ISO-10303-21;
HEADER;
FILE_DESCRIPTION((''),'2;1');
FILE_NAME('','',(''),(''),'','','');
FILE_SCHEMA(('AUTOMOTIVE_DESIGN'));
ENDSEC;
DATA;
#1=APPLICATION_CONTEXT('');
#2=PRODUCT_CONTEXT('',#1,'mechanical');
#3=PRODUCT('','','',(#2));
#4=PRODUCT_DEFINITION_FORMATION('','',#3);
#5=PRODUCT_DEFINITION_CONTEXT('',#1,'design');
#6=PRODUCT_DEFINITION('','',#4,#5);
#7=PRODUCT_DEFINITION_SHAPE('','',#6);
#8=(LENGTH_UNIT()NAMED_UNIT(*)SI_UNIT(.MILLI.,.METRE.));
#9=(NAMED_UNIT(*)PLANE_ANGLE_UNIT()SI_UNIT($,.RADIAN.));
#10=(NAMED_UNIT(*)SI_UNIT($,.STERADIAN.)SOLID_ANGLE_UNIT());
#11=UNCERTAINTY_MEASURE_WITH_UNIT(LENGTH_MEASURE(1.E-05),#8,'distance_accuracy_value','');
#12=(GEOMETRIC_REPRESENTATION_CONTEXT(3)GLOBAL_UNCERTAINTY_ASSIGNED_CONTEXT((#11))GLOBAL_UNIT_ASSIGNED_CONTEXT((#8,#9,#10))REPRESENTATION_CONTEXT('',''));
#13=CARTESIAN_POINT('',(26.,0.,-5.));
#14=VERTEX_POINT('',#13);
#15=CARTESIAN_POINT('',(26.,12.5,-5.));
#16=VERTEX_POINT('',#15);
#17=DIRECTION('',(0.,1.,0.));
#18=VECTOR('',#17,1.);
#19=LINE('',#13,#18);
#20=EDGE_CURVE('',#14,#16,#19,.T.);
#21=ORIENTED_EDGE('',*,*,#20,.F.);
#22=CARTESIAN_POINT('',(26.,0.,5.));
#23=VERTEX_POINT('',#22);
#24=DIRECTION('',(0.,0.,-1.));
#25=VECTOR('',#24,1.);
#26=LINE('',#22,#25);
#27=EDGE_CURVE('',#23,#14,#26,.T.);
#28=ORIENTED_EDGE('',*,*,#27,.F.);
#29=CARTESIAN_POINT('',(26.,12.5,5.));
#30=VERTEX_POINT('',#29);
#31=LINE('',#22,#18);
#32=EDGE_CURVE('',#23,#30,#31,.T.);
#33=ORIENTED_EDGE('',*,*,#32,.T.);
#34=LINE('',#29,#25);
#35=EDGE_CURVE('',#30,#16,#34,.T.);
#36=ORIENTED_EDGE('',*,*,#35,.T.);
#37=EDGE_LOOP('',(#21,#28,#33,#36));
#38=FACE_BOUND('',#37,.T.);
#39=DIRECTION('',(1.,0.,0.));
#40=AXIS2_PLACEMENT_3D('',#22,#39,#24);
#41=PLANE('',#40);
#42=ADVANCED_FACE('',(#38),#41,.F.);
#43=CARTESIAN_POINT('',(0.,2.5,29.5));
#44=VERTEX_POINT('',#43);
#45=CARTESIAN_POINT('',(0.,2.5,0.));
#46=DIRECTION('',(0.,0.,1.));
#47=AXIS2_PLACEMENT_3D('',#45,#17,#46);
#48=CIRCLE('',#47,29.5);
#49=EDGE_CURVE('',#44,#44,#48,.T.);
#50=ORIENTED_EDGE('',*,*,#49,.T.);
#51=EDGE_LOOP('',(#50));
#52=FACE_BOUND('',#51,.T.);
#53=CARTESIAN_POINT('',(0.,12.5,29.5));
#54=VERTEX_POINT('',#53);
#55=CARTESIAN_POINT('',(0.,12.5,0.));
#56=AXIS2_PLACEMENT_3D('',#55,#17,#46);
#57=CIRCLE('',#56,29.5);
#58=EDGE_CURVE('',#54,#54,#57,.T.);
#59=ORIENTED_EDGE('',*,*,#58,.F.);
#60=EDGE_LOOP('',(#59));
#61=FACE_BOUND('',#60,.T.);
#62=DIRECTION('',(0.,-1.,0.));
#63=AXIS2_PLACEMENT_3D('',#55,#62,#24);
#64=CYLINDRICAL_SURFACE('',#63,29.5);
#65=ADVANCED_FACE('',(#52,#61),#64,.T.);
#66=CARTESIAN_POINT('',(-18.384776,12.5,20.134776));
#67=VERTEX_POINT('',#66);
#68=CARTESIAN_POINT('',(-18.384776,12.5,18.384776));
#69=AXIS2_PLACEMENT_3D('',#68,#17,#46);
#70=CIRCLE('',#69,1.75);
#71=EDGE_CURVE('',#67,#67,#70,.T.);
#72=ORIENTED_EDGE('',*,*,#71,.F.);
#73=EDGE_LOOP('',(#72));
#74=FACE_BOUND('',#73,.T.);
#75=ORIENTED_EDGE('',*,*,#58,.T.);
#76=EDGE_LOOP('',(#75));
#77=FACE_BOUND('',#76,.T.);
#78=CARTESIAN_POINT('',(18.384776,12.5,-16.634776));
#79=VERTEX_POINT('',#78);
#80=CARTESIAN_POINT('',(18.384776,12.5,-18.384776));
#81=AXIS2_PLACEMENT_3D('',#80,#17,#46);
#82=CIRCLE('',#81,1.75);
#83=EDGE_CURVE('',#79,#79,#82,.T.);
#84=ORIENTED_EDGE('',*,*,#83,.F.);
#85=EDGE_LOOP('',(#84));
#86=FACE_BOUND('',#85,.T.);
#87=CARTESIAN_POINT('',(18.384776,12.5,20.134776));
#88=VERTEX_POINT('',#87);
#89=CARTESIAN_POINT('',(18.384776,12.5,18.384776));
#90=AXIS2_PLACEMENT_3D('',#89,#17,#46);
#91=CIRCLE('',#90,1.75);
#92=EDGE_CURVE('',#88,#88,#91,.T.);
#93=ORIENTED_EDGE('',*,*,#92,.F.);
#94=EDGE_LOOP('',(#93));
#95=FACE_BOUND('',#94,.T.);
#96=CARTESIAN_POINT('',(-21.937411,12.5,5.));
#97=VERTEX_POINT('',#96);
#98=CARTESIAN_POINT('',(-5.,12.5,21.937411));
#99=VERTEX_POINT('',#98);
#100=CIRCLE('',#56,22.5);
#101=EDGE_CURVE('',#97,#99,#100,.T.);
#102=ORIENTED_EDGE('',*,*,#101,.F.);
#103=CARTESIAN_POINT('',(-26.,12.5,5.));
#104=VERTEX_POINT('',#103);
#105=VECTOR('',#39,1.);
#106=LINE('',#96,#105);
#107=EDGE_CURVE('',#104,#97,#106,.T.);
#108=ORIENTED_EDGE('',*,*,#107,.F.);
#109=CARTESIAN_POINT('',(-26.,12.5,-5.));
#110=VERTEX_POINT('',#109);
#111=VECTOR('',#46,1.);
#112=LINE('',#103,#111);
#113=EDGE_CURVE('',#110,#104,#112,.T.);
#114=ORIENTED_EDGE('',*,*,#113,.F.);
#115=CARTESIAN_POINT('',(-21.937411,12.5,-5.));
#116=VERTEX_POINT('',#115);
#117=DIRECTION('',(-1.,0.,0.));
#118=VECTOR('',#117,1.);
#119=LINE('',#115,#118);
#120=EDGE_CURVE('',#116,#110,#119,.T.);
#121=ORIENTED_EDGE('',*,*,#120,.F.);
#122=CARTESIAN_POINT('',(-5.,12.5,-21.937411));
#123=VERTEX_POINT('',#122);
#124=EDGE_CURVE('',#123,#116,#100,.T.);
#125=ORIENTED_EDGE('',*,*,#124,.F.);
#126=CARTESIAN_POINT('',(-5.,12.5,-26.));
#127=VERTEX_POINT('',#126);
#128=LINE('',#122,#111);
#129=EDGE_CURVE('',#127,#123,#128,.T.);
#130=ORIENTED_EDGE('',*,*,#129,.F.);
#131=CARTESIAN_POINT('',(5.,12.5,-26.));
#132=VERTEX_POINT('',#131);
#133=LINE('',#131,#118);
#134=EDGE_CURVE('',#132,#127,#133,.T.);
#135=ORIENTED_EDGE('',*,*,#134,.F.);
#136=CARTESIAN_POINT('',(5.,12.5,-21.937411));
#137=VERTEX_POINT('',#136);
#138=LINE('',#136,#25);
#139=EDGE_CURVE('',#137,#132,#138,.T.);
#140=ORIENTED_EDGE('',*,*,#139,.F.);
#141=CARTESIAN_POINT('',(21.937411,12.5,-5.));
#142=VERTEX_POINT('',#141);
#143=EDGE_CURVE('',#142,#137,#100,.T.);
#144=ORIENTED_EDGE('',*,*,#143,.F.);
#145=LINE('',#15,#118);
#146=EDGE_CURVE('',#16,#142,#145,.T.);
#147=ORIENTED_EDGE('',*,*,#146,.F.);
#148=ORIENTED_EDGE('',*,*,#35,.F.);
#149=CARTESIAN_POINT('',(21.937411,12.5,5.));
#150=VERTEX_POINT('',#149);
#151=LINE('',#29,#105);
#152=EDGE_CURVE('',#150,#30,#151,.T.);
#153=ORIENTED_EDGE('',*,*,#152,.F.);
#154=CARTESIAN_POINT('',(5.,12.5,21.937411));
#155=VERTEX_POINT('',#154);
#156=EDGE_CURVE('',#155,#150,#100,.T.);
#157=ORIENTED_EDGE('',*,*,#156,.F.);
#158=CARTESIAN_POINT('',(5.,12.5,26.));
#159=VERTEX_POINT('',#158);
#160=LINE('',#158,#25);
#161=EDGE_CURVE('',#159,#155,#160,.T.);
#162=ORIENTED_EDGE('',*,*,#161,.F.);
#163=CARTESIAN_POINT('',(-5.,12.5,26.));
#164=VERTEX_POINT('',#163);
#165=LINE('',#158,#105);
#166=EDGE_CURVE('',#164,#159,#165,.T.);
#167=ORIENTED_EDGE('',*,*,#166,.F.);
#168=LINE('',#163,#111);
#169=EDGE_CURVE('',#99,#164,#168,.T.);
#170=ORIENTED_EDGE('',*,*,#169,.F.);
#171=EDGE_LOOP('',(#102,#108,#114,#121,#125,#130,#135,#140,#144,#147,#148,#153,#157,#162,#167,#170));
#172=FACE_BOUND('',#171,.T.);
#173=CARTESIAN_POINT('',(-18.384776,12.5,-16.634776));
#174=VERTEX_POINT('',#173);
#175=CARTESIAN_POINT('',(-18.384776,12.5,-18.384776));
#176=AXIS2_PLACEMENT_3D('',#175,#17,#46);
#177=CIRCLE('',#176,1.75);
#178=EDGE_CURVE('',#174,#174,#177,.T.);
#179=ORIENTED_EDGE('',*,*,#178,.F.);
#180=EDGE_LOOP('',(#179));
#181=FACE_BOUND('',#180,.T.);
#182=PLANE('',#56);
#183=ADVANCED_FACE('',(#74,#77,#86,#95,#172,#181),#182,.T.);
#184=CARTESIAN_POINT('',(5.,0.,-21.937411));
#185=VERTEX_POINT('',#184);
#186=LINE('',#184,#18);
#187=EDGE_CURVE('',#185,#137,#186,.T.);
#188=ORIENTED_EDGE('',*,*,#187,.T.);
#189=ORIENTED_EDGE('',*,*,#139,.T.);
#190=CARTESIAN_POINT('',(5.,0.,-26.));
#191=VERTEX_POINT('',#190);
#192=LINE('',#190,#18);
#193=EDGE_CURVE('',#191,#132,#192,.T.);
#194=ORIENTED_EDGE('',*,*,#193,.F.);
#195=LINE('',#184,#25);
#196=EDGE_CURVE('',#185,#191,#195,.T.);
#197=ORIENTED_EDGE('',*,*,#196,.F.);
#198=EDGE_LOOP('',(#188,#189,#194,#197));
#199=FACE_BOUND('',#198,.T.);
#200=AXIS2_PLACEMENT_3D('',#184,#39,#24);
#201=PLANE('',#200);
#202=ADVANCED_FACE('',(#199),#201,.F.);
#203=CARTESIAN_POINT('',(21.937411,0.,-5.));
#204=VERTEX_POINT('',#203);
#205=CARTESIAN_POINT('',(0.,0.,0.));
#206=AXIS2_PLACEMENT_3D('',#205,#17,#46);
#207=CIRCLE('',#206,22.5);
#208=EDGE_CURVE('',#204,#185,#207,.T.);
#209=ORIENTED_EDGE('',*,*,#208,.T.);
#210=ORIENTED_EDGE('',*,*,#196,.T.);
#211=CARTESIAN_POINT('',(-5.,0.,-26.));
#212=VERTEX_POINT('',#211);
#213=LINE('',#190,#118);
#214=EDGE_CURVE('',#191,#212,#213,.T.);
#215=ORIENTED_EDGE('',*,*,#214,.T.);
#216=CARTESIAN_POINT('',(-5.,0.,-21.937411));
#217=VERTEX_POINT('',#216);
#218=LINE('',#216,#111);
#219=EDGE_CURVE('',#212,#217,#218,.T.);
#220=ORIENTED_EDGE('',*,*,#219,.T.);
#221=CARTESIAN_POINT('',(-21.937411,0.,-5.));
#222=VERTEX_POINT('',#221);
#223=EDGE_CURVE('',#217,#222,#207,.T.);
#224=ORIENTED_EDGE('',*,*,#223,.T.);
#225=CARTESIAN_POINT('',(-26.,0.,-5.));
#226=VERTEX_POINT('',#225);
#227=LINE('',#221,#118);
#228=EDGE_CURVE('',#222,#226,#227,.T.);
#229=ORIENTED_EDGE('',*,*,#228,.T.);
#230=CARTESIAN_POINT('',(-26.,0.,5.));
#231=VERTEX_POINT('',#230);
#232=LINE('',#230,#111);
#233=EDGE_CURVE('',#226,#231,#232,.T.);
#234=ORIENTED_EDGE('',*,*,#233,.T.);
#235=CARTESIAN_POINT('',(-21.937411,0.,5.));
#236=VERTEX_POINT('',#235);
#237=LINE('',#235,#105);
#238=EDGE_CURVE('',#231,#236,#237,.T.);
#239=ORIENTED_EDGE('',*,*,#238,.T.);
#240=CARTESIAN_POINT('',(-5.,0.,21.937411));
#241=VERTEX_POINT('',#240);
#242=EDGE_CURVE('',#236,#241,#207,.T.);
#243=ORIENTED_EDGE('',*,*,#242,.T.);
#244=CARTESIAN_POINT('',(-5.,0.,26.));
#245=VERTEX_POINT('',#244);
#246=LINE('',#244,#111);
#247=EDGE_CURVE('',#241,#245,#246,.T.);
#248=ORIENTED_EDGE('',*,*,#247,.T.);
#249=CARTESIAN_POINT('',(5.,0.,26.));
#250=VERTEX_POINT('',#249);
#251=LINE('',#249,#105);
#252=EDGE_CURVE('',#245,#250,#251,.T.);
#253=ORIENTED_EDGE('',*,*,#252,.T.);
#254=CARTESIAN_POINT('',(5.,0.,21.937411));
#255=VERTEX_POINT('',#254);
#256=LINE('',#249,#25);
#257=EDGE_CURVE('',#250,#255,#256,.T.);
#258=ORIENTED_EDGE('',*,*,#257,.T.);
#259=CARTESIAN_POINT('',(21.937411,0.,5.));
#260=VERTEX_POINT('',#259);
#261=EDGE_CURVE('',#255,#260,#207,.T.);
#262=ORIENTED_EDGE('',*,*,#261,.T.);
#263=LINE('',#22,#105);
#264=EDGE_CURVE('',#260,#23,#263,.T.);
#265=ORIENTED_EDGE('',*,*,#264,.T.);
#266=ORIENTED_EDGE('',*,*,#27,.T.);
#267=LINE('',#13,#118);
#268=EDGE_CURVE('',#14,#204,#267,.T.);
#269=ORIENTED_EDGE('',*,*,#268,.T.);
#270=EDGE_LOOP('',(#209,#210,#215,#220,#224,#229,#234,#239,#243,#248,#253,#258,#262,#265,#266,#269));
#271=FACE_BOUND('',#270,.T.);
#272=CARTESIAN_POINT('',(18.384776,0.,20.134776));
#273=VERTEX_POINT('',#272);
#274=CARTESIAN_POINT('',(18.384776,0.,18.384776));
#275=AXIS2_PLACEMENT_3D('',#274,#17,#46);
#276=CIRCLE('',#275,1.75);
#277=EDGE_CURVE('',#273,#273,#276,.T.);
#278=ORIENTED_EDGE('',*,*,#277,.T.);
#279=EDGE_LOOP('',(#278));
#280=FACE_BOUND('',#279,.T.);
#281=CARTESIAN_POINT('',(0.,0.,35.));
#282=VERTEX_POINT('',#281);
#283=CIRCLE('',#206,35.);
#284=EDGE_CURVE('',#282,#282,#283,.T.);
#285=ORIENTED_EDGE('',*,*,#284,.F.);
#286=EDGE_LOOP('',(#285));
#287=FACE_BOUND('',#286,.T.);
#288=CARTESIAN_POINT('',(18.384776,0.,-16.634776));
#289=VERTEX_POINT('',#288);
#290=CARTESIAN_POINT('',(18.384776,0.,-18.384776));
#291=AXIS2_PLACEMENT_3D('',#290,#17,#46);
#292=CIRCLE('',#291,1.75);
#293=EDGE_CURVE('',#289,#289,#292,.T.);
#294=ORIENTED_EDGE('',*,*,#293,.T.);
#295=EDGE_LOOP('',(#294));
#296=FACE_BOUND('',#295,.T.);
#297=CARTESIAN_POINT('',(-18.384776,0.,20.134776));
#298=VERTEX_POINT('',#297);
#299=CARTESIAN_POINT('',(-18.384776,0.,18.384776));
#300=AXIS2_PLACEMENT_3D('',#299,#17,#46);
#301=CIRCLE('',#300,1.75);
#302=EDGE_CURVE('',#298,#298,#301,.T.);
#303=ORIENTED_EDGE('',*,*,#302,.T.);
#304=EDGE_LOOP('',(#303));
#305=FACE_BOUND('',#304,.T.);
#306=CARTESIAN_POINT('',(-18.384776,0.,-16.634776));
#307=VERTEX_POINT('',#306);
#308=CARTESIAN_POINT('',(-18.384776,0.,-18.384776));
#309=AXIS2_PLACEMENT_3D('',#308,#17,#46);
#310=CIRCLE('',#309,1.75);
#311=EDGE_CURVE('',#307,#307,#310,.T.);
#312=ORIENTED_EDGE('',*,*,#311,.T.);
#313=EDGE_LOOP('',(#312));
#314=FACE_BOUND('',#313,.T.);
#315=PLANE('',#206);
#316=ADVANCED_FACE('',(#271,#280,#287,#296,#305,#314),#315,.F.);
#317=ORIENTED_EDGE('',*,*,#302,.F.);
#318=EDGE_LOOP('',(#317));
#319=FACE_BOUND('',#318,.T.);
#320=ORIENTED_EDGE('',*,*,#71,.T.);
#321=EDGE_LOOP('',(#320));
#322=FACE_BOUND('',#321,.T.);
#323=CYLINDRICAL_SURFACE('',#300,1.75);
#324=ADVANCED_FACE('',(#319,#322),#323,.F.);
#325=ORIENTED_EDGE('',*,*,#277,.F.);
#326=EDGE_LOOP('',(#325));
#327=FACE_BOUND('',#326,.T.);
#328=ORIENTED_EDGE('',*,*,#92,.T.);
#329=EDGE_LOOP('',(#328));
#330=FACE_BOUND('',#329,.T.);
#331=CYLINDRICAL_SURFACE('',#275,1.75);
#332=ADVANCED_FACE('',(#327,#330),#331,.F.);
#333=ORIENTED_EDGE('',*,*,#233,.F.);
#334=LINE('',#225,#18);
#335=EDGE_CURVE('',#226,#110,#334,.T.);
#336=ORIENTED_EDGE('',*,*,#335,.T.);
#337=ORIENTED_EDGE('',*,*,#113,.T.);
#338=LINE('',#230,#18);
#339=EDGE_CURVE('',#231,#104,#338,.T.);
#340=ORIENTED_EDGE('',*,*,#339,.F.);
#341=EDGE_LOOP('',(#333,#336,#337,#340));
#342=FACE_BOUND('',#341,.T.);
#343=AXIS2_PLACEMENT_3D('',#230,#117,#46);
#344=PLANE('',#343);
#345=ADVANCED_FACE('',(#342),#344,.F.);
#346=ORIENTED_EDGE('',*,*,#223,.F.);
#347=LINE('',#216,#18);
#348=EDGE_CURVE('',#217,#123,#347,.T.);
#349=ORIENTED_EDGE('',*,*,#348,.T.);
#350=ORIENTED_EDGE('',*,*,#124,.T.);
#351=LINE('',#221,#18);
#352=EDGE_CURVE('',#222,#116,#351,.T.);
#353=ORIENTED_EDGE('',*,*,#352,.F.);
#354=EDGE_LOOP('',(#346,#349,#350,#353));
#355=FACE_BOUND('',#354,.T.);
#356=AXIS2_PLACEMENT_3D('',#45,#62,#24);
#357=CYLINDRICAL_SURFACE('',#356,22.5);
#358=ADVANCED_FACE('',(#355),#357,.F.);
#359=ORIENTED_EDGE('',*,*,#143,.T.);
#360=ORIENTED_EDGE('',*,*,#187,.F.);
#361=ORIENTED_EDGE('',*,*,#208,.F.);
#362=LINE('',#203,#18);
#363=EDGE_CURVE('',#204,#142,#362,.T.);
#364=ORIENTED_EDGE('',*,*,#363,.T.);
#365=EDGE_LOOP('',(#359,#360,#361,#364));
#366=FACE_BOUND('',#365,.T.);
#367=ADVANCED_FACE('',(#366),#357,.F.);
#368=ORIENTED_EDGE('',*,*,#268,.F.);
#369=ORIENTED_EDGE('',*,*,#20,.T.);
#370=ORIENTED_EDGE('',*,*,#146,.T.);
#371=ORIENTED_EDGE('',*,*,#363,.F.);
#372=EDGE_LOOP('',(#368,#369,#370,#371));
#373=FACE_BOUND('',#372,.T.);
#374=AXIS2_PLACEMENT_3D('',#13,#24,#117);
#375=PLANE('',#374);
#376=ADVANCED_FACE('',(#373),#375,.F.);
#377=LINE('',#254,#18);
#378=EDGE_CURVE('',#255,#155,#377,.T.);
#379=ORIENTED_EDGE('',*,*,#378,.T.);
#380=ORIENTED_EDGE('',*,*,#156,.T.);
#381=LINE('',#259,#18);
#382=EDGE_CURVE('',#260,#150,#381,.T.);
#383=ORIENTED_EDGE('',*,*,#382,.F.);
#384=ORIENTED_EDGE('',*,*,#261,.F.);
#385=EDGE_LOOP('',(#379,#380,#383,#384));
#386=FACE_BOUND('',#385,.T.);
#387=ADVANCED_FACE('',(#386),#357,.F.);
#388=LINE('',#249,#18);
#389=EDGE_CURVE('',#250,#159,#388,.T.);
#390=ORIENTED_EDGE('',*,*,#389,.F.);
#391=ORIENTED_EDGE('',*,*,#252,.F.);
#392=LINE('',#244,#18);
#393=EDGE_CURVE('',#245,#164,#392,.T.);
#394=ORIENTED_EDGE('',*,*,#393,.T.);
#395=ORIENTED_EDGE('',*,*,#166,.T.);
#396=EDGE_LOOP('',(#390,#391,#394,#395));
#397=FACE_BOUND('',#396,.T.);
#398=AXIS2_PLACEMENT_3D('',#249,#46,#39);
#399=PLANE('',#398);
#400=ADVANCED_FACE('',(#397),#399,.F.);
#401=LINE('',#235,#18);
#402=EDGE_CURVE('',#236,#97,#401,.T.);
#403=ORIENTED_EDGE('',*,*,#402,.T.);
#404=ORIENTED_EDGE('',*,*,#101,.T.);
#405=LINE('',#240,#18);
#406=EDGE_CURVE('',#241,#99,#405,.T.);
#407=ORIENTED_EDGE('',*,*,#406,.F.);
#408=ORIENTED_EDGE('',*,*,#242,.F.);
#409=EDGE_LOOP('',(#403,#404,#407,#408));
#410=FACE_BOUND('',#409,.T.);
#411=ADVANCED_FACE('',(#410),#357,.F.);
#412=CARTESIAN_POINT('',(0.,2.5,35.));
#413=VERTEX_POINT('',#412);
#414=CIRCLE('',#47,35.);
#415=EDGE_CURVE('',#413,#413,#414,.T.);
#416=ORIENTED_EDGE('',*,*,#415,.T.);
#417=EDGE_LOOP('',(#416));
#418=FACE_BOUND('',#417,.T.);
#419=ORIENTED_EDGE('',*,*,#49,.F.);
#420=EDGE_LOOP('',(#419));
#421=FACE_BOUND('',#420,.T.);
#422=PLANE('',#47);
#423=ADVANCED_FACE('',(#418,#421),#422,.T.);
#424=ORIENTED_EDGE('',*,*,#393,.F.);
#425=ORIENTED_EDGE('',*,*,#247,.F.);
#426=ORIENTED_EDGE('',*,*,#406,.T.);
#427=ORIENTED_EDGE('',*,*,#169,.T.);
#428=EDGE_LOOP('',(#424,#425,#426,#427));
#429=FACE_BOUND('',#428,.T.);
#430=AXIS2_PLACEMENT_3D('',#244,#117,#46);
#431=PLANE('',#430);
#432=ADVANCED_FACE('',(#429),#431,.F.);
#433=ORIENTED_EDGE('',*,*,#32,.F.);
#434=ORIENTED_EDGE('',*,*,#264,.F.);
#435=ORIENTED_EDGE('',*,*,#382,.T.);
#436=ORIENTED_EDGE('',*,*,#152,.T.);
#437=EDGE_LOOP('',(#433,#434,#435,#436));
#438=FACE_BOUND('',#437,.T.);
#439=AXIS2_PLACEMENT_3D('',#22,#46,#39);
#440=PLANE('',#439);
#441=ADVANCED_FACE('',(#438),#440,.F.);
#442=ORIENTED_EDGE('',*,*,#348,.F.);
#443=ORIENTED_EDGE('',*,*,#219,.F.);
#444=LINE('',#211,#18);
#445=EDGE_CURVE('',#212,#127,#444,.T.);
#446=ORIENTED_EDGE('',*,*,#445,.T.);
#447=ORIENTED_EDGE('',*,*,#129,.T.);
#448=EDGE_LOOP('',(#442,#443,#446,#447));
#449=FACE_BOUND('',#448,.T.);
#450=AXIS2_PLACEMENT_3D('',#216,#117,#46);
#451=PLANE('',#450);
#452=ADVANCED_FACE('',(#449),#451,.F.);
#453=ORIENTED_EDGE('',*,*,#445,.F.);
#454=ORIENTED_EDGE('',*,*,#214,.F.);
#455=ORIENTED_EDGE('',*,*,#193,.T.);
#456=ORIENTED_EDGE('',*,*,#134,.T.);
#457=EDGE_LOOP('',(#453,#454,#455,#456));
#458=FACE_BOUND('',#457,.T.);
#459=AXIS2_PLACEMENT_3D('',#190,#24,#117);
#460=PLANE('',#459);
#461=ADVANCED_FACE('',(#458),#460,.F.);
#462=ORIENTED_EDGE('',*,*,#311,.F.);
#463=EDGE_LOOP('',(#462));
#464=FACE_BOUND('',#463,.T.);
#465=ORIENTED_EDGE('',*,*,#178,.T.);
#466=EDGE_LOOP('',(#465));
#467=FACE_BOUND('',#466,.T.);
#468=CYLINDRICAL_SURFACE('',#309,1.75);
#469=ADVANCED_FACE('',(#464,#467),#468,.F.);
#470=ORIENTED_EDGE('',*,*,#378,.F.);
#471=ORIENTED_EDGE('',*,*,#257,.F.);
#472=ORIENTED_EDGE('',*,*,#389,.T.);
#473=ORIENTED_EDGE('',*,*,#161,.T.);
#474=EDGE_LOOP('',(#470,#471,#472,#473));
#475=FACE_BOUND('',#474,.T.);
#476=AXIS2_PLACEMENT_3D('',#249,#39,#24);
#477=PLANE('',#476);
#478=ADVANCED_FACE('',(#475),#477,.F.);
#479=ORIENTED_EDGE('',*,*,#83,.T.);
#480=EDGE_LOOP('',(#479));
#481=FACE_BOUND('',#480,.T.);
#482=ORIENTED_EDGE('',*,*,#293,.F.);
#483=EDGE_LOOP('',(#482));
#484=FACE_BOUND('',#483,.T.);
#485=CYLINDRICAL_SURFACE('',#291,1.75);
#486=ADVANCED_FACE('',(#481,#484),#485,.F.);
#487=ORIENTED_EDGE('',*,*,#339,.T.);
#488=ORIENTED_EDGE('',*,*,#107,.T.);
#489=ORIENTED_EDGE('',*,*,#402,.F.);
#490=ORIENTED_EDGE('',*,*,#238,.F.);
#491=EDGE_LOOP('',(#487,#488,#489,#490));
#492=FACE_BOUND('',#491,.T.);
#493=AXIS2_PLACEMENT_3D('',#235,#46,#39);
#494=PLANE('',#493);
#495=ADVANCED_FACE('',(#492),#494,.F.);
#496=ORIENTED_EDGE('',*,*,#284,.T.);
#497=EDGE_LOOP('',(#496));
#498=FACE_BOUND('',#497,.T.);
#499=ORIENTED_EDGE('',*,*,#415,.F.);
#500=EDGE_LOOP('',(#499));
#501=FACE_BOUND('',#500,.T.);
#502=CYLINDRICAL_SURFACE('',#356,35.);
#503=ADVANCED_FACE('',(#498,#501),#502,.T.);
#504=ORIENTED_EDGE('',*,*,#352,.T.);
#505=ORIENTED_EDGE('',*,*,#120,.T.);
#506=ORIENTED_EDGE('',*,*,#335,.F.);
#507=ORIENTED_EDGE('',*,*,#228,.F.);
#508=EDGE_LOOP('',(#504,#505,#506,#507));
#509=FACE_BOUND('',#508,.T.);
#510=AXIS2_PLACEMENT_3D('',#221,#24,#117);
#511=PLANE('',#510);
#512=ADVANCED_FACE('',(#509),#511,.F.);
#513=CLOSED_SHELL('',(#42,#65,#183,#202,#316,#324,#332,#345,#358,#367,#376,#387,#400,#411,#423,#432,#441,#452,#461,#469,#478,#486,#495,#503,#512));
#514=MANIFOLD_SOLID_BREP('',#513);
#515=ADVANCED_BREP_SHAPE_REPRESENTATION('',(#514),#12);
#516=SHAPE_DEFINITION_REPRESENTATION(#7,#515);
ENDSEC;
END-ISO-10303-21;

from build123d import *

# Parameters (mm, degrees)
SKETCH1_R           = 35
SKETCH1_R_2         = 22.5
BOSS_EXTRUDE1_DEPTH = 2.5
SKETCH2_R           = 29.5
SKETCH2_R_2         = 22.5
BOSS_EXTRUDE2_DEPTH = 10
CUT_EXTRUDE1_DEPTH  = 52.051444642
SKETCH4_R           = 1.75
CUT_EXTRUDE2_DEPTH  = 52.051444642


with BuildPart() as part:
    # Sketch1 → Boss-Extrude1 (new body)
    with BuildSketch(Plane(origin=(0, 0, 0), x_dir=(1, 0, 0), z_dir=(0, 1, 0))):
        with Locations(Location((0, 0, 0), (0, 0, 270))):
            Circle(SKETCH1_R)
        with Locations(Location((0, 0, 0), (0, 0, 270))):
            Circle(SKETCH1_R_2, mode=Mode.SUBTRACT)
    extrude(amount=BOSS_EXTRUDE1_DEPTH)

    # Sketch2 → Boss-Extrude2 (add)
    with BuildSketch(Plane(origin=(0, 2.5, 0), x_dir=(1, 0, 0), z_dir=(0, 1, 0))):
        with Locations(Location((0, 0, 0), (0, 0, 270))):
            Circle(SKETCH2_R)
        with Locations(Location((0, 0, 0), (0, 0, 270))):
            Circle(SKETCH2_R_2, mode=Mode.SUBTRACT)
    extrude(amount=BOSS_EXTRUDE2_DEPTH)

    # Sketch3 → Cut-Extrude1 (cut, through all)
    with BuildSketch(Plane(origin=(0, 12.5, 0), x_dir=(1, 0, 0), z_dir=(0, 1, 0))):
        with BuildLine():
            Line((-5, 21.937410968), (-5, 26))
            Line((-5, 26), (5, 26))
            Line((5, 26), (5, 21.937410968))
            ThreePointArc((5, 21.937410968), (15.909902577, 15.909902577), (21.937410968, 5))
            Line((21.937410968, 5), (26, 5))
            Line((26, 5), (26, -5))
            Line((26, -5), (21.937410968, -5))
            ThreePointArc((21.937410968, -5), (15.909902577, -15.909902577), (5, -21.937410968))
            Line((5, -21.937410968), (5, -26))
            Line((5, -26), (-5, -26))
            Line((-5, -26), (-5, -21.937410968))
            ThreePointArc((-5, -21.937410968), (-15.909902577, -15.909902577), (-21.937410968, -5))
            Line((-21.937410968, -5), (-26, -5))
            Line((-26, -5), (-26, 5))
            Line((-26, 5), (-21.937410968, 5))
            ThreePointArc((-21.937410968, 5), (-15.909902577, 15.909902577), (-5, 21.937410968))
        make_face()
    extrude(amount=-CUT_EXTRUDE1_DEPTH, mode=Mode.SUBTRACT)

    # Sketch4 → Cut-Extrude2 (cut, through all)
    with BuildSketch(Plane(origin=(0, 12.5, 0), x_dir=(1, 0, 0), z_dir=(0, 1, 0))):
        with Locations(Location((-18.384776311, -18.384776311, 0), (0, 0, 270))):
            Circle(SKETCH4_R)
        with Locations(Location((-18.384776311, 18.384776311, 0), (0, 0, 270))):
            Circle(SKETCH4_R)
        with Locations(Location((18.384776311, 18.384776311, 0), (0, 0, 270))):
            Circle(SKETCH4_R)
        with Locations(Location((18.384776311, -18.384776311, 0), (0, 0, 270))):
            Circle(SKETCH4_R)
    extrude(amount=-CUT_EXTRUDE2_DEPTH, mode=Mode.SUBTRACT)


solid = part.part
